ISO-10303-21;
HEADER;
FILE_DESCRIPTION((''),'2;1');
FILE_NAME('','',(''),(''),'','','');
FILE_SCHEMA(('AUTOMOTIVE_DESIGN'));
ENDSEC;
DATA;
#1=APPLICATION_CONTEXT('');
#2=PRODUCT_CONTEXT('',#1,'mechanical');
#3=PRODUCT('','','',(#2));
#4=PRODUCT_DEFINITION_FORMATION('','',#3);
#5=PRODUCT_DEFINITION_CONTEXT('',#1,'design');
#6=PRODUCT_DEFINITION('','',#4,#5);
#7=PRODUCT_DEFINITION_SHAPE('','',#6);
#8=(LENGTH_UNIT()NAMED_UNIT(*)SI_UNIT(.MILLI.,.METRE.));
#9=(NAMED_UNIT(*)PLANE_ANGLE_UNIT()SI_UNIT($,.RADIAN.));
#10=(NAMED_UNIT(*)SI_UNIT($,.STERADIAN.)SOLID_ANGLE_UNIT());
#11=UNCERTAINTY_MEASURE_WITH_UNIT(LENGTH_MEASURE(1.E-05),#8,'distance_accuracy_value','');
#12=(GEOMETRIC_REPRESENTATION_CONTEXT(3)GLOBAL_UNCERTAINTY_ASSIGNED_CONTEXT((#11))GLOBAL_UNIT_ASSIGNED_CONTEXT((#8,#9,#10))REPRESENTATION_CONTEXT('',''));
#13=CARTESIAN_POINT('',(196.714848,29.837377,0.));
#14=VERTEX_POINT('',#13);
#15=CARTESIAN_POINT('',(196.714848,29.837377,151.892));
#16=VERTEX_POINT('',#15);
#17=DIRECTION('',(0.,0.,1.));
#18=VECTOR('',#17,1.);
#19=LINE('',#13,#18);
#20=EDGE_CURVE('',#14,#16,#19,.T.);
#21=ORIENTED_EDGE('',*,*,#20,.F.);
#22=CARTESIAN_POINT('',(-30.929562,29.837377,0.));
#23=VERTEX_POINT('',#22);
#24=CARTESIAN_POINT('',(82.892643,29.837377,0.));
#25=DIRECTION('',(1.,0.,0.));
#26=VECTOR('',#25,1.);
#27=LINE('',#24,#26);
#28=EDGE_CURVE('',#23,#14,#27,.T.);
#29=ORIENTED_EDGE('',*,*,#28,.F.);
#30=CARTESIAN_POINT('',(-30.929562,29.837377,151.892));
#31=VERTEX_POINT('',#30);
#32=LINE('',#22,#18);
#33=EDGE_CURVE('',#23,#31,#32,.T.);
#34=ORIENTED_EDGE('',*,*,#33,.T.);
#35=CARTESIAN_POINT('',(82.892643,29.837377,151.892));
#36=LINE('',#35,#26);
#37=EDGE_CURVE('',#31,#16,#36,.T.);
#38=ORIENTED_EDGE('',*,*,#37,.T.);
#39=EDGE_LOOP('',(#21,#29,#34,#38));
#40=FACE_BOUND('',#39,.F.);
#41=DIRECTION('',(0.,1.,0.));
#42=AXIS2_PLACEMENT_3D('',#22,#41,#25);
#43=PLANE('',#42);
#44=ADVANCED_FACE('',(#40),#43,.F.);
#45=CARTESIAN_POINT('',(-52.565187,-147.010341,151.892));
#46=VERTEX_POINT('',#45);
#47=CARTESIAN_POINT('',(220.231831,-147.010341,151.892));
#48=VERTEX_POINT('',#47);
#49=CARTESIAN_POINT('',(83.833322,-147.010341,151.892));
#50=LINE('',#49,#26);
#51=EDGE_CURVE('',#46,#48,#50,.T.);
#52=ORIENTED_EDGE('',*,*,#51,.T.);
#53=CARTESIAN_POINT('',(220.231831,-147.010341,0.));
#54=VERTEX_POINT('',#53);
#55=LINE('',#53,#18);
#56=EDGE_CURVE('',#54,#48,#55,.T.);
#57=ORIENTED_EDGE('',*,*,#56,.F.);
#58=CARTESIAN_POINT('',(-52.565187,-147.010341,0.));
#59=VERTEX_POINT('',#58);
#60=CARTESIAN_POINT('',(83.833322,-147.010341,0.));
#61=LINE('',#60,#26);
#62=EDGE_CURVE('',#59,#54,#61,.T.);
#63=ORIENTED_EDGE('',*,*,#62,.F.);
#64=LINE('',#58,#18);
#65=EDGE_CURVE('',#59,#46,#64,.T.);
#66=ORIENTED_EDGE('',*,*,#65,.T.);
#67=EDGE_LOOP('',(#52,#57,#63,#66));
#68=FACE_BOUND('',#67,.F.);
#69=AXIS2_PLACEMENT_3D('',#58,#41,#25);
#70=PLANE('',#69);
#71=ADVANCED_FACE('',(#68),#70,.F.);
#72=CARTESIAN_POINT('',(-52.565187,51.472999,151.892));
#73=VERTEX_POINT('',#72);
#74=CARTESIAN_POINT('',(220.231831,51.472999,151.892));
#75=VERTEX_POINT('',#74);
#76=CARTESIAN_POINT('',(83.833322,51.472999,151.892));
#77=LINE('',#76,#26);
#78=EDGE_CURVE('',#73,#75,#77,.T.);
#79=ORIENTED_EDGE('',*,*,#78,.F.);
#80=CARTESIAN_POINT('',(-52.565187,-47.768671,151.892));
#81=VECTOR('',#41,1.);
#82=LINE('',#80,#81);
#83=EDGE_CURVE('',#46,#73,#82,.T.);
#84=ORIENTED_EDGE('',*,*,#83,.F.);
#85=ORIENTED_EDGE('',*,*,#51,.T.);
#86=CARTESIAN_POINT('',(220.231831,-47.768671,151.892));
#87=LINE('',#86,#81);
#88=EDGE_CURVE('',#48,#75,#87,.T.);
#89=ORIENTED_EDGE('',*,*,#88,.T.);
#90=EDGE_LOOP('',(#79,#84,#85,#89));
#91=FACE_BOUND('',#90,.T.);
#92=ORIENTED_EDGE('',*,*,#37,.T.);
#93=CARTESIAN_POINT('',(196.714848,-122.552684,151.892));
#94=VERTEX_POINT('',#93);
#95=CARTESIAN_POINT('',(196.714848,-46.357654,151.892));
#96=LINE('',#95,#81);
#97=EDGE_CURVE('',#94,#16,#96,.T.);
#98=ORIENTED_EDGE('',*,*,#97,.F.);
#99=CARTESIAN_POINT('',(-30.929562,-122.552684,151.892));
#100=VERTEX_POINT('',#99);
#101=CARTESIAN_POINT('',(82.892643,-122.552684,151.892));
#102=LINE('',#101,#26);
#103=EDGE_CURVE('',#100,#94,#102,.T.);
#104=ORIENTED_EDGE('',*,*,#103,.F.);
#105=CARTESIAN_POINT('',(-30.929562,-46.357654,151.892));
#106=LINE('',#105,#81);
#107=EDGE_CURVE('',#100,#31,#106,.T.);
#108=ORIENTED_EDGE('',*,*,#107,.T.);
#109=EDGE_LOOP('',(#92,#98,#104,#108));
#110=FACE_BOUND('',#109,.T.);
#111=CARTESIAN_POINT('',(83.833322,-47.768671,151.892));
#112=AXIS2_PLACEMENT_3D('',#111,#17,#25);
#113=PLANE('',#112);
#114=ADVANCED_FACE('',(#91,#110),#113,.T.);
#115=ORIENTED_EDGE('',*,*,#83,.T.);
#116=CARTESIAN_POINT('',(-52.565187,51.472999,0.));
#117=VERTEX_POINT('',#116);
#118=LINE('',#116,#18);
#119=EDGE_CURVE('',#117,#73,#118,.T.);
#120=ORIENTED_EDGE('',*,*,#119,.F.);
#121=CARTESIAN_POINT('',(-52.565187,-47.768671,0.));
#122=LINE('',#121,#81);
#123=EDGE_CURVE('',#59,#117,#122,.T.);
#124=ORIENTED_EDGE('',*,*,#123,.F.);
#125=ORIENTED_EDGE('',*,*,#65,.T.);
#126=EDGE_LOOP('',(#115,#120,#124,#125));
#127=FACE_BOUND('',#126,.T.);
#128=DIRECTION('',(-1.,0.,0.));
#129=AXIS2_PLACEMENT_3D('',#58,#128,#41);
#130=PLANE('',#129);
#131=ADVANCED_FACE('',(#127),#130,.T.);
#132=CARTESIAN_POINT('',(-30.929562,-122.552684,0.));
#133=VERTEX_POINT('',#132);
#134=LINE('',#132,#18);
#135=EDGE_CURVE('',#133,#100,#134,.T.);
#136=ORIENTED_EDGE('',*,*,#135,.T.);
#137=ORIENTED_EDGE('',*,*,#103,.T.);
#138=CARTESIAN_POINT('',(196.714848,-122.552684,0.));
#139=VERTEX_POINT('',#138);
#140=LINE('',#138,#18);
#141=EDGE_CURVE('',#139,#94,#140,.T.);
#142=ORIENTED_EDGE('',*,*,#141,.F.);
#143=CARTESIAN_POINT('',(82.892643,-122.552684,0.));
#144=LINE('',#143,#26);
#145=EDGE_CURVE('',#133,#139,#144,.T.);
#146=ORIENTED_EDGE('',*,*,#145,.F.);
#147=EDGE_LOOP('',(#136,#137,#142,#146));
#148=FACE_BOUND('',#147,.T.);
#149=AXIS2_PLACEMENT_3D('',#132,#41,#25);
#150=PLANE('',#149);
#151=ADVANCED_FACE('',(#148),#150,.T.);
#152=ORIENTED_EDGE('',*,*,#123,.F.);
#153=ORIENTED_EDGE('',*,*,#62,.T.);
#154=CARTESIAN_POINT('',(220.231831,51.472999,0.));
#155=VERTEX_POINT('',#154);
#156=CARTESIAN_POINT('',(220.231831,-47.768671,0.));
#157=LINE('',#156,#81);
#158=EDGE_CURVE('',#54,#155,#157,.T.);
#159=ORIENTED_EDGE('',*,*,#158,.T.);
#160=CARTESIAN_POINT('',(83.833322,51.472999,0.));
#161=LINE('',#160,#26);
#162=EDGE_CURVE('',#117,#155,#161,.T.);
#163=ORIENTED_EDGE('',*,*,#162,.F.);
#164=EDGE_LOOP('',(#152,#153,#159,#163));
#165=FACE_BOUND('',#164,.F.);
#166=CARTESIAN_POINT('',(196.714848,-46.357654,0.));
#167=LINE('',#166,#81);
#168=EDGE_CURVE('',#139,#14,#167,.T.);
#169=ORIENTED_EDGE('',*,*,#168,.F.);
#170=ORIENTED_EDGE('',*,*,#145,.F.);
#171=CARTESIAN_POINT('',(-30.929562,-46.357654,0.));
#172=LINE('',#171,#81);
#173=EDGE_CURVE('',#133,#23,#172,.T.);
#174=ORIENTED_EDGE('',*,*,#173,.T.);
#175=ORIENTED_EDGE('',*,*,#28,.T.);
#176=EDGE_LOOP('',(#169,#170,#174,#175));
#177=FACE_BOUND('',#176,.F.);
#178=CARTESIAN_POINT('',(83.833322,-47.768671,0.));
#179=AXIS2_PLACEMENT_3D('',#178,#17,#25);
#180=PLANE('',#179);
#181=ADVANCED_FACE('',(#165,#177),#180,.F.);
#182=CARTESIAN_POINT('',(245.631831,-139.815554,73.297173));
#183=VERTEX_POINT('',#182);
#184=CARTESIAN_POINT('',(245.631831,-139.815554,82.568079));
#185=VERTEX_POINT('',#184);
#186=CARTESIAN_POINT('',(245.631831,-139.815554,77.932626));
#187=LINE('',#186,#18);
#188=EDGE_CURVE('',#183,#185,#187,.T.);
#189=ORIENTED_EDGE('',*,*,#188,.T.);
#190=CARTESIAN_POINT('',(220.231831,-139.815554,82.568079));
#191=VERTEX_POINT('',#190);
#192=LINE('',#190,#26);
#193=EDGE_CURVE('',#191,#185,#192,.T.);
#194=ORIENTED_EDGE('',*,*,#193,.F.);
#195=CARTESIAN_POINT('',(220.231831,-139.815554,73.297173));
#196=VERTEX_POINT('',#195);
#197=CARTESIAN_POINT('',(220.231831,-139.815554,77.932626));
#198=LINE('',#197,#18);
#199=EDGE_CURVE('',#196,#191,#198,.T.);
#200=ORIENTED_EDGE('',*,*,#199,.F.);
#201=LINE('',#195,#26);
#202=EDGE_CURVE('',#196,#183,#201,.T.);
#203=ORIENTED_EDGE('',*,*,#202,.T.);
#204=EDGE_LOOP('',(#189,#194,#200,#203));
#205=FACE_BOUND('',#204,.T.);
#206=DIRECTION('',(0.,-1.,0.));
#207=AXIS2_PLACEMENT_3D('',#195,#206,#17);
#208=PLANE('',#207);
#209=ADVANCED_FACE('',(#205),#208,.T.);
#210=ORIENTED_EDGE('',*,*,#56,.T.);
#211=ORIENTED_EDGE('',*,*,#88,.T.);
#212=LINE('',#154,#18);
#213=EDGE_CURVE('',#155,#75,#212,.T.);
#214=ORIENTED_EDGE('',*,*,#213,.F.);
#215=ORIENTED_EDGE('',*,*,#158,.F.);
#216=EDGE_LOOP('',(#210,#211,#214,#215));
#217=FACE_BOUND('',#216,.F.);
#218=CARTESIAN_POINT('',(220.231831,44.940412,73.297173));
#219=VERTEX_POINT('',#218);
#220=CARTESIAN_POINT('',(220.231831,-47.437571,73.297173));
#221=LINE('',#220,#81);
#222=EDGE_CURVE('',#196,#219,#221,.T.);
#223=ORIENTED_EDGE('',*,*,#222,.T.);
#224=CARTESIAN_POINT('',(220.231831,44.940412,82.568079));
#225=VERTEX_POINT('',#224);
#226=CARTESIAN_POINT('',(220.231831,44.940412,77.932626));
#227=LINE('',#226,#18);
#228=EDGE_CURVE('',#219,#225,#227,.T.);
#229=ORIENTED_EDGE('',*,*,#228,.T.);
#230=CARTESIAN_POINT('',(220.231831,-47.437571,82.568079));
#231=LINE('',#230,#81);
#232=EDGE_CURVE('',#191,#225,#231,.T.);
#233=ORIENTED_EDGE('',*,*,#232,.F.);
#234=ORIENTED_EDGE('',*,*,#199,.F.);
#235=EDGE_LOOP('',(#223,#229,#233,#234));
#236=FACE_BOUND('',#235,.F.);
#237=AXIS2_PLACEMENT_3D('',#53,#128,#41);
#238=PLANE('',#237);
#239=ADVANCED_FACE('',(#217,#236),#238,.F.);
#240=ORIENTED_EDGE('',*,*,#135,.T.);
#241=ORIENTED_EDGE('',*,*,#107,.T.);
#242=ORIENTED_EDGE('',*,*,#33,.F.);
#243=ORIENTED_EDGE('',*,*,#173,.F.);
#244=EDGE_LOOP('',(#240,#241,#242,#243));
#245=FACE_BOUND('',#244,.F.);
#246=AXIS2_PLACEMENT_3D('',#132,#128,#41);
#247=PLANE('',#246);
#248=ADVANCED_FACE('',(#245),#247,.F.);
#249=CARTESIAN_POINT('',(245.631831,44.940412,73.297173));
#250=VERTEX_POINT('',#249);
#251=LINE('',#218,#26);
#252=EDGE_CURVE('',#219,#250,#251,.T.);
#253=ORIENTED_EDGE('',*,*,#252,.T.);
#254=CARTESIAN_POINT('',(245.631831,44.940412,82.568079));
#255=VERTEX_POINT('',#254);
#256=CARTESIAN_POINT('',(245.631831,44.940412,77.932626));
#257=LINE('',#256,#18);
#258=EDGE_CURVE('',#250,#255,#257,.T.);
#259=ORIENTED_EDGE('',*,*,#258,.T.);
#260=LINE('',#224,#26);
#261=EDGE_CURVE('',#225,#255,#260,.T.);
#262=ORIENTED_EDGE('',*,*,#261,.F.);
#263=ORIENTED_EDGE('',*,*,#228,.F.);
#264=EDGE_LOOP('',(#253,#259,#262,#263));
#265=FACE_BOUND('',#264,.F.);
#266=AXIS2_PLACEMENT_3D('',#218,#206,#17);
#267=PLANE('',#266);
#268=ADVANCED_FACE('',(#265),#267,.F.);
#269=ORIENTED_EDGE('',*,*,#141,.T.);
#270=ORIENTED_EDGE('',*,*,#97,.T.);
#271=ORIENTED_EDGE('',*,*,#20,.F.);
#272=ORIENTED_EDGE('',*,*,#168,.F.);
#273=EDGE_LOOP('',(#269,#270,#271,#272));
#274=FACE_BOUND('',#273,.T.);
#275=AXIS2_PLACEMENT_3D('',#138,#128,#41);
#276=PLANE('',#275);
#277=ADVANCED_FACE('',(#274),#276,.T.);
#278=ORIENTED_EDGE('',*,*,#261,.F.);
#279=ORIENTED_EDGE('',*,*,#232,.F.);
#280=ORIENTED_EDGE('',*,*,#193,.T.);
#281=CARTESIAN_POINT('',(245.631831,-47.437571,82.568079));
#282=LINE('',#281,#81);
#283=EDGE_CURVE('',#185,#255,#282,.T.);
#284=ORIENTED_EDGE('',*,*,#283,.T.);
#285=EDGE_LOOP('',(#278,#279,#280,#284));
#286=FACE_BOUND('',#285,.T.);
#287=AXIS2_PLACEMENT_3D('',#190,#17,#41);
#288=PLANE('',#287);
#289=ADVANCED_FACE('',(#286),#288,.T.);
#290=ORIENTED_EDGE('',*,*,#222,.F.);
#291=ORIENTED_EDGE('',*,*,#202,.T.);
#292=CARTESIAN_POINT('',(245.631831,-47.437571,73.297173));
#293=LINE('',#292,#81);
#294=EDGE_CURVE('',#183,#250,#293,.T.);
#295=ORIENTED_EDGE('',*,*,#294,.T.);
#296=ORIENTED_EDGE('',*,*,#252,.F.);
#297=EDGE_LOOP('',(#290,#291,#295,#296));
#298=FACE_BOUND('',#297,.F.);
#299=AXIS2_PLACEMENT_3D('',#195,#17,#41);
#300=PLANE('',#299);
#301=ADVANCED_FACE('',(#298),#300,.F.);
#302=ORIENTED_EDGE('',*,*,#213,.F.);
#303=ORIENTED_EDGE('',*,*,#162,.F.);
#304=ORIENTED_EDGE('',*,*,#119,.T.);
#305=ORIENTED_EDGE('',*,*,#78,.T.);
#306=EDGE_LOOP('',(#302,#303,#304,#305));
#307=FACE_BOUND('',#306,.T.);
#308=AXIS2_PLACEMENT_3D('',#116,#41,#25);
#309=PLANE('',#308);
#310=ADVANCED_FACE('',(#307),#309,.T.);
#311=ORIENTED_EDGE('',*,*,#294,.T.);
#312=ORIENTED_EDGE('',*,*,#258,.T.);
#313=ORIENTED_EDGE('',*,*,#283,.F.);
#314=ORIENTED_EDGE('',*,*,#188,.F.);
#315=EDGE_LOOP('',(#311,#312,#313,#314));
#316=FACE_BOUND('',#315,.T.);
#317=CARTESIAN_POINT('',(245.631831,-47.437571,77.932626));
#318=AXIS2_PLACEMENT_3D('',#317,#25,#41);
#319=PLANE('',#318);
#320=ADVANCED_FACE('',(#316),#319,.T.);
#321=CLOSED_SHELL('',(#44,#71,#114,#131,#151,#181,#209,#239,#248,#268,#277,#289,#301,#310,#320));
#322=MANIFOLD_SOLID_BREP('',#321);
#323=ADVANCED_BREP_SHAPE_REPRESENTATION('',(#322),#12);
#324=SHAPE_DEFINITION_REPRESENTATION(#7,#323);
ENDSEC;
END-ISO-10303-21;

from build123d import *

# Parameters (mm, degrees)
F0_W     = 272.797018
F0_H     = 198.48334
F0_W_2   = 227.64441
F0_H_2   = 152.390061
F1_DEPTH = 151.892
F2_W     = 184.755966
F2_H     = 9.270906
F3_DEPTH = 25.4


with BuildPart() as f1:
    # F0 (on Top) → F1 (new body)
    with BuildSketch(Plane.XY):
        with Locations((83.833322, -47.768671)):
            Rectangle(F0_W, F0_H)
        with Locations((82.892643, -46.357654)):
            Rectangle(F0_W_2, F0_H_2, mode=Mode.SUBTRACT)
    extrude(amount=F1_DEPTH)

    # F2 (on face) → F3 (join)
    with BuildSketch(Plane.YZ.offset(220.231831)):
        with Locations((-47.437571, 77.932626)):
            Rectangle(F2_W, F2_H)
    extrude(amount=F3_DEPTH)


solid = f1.part
